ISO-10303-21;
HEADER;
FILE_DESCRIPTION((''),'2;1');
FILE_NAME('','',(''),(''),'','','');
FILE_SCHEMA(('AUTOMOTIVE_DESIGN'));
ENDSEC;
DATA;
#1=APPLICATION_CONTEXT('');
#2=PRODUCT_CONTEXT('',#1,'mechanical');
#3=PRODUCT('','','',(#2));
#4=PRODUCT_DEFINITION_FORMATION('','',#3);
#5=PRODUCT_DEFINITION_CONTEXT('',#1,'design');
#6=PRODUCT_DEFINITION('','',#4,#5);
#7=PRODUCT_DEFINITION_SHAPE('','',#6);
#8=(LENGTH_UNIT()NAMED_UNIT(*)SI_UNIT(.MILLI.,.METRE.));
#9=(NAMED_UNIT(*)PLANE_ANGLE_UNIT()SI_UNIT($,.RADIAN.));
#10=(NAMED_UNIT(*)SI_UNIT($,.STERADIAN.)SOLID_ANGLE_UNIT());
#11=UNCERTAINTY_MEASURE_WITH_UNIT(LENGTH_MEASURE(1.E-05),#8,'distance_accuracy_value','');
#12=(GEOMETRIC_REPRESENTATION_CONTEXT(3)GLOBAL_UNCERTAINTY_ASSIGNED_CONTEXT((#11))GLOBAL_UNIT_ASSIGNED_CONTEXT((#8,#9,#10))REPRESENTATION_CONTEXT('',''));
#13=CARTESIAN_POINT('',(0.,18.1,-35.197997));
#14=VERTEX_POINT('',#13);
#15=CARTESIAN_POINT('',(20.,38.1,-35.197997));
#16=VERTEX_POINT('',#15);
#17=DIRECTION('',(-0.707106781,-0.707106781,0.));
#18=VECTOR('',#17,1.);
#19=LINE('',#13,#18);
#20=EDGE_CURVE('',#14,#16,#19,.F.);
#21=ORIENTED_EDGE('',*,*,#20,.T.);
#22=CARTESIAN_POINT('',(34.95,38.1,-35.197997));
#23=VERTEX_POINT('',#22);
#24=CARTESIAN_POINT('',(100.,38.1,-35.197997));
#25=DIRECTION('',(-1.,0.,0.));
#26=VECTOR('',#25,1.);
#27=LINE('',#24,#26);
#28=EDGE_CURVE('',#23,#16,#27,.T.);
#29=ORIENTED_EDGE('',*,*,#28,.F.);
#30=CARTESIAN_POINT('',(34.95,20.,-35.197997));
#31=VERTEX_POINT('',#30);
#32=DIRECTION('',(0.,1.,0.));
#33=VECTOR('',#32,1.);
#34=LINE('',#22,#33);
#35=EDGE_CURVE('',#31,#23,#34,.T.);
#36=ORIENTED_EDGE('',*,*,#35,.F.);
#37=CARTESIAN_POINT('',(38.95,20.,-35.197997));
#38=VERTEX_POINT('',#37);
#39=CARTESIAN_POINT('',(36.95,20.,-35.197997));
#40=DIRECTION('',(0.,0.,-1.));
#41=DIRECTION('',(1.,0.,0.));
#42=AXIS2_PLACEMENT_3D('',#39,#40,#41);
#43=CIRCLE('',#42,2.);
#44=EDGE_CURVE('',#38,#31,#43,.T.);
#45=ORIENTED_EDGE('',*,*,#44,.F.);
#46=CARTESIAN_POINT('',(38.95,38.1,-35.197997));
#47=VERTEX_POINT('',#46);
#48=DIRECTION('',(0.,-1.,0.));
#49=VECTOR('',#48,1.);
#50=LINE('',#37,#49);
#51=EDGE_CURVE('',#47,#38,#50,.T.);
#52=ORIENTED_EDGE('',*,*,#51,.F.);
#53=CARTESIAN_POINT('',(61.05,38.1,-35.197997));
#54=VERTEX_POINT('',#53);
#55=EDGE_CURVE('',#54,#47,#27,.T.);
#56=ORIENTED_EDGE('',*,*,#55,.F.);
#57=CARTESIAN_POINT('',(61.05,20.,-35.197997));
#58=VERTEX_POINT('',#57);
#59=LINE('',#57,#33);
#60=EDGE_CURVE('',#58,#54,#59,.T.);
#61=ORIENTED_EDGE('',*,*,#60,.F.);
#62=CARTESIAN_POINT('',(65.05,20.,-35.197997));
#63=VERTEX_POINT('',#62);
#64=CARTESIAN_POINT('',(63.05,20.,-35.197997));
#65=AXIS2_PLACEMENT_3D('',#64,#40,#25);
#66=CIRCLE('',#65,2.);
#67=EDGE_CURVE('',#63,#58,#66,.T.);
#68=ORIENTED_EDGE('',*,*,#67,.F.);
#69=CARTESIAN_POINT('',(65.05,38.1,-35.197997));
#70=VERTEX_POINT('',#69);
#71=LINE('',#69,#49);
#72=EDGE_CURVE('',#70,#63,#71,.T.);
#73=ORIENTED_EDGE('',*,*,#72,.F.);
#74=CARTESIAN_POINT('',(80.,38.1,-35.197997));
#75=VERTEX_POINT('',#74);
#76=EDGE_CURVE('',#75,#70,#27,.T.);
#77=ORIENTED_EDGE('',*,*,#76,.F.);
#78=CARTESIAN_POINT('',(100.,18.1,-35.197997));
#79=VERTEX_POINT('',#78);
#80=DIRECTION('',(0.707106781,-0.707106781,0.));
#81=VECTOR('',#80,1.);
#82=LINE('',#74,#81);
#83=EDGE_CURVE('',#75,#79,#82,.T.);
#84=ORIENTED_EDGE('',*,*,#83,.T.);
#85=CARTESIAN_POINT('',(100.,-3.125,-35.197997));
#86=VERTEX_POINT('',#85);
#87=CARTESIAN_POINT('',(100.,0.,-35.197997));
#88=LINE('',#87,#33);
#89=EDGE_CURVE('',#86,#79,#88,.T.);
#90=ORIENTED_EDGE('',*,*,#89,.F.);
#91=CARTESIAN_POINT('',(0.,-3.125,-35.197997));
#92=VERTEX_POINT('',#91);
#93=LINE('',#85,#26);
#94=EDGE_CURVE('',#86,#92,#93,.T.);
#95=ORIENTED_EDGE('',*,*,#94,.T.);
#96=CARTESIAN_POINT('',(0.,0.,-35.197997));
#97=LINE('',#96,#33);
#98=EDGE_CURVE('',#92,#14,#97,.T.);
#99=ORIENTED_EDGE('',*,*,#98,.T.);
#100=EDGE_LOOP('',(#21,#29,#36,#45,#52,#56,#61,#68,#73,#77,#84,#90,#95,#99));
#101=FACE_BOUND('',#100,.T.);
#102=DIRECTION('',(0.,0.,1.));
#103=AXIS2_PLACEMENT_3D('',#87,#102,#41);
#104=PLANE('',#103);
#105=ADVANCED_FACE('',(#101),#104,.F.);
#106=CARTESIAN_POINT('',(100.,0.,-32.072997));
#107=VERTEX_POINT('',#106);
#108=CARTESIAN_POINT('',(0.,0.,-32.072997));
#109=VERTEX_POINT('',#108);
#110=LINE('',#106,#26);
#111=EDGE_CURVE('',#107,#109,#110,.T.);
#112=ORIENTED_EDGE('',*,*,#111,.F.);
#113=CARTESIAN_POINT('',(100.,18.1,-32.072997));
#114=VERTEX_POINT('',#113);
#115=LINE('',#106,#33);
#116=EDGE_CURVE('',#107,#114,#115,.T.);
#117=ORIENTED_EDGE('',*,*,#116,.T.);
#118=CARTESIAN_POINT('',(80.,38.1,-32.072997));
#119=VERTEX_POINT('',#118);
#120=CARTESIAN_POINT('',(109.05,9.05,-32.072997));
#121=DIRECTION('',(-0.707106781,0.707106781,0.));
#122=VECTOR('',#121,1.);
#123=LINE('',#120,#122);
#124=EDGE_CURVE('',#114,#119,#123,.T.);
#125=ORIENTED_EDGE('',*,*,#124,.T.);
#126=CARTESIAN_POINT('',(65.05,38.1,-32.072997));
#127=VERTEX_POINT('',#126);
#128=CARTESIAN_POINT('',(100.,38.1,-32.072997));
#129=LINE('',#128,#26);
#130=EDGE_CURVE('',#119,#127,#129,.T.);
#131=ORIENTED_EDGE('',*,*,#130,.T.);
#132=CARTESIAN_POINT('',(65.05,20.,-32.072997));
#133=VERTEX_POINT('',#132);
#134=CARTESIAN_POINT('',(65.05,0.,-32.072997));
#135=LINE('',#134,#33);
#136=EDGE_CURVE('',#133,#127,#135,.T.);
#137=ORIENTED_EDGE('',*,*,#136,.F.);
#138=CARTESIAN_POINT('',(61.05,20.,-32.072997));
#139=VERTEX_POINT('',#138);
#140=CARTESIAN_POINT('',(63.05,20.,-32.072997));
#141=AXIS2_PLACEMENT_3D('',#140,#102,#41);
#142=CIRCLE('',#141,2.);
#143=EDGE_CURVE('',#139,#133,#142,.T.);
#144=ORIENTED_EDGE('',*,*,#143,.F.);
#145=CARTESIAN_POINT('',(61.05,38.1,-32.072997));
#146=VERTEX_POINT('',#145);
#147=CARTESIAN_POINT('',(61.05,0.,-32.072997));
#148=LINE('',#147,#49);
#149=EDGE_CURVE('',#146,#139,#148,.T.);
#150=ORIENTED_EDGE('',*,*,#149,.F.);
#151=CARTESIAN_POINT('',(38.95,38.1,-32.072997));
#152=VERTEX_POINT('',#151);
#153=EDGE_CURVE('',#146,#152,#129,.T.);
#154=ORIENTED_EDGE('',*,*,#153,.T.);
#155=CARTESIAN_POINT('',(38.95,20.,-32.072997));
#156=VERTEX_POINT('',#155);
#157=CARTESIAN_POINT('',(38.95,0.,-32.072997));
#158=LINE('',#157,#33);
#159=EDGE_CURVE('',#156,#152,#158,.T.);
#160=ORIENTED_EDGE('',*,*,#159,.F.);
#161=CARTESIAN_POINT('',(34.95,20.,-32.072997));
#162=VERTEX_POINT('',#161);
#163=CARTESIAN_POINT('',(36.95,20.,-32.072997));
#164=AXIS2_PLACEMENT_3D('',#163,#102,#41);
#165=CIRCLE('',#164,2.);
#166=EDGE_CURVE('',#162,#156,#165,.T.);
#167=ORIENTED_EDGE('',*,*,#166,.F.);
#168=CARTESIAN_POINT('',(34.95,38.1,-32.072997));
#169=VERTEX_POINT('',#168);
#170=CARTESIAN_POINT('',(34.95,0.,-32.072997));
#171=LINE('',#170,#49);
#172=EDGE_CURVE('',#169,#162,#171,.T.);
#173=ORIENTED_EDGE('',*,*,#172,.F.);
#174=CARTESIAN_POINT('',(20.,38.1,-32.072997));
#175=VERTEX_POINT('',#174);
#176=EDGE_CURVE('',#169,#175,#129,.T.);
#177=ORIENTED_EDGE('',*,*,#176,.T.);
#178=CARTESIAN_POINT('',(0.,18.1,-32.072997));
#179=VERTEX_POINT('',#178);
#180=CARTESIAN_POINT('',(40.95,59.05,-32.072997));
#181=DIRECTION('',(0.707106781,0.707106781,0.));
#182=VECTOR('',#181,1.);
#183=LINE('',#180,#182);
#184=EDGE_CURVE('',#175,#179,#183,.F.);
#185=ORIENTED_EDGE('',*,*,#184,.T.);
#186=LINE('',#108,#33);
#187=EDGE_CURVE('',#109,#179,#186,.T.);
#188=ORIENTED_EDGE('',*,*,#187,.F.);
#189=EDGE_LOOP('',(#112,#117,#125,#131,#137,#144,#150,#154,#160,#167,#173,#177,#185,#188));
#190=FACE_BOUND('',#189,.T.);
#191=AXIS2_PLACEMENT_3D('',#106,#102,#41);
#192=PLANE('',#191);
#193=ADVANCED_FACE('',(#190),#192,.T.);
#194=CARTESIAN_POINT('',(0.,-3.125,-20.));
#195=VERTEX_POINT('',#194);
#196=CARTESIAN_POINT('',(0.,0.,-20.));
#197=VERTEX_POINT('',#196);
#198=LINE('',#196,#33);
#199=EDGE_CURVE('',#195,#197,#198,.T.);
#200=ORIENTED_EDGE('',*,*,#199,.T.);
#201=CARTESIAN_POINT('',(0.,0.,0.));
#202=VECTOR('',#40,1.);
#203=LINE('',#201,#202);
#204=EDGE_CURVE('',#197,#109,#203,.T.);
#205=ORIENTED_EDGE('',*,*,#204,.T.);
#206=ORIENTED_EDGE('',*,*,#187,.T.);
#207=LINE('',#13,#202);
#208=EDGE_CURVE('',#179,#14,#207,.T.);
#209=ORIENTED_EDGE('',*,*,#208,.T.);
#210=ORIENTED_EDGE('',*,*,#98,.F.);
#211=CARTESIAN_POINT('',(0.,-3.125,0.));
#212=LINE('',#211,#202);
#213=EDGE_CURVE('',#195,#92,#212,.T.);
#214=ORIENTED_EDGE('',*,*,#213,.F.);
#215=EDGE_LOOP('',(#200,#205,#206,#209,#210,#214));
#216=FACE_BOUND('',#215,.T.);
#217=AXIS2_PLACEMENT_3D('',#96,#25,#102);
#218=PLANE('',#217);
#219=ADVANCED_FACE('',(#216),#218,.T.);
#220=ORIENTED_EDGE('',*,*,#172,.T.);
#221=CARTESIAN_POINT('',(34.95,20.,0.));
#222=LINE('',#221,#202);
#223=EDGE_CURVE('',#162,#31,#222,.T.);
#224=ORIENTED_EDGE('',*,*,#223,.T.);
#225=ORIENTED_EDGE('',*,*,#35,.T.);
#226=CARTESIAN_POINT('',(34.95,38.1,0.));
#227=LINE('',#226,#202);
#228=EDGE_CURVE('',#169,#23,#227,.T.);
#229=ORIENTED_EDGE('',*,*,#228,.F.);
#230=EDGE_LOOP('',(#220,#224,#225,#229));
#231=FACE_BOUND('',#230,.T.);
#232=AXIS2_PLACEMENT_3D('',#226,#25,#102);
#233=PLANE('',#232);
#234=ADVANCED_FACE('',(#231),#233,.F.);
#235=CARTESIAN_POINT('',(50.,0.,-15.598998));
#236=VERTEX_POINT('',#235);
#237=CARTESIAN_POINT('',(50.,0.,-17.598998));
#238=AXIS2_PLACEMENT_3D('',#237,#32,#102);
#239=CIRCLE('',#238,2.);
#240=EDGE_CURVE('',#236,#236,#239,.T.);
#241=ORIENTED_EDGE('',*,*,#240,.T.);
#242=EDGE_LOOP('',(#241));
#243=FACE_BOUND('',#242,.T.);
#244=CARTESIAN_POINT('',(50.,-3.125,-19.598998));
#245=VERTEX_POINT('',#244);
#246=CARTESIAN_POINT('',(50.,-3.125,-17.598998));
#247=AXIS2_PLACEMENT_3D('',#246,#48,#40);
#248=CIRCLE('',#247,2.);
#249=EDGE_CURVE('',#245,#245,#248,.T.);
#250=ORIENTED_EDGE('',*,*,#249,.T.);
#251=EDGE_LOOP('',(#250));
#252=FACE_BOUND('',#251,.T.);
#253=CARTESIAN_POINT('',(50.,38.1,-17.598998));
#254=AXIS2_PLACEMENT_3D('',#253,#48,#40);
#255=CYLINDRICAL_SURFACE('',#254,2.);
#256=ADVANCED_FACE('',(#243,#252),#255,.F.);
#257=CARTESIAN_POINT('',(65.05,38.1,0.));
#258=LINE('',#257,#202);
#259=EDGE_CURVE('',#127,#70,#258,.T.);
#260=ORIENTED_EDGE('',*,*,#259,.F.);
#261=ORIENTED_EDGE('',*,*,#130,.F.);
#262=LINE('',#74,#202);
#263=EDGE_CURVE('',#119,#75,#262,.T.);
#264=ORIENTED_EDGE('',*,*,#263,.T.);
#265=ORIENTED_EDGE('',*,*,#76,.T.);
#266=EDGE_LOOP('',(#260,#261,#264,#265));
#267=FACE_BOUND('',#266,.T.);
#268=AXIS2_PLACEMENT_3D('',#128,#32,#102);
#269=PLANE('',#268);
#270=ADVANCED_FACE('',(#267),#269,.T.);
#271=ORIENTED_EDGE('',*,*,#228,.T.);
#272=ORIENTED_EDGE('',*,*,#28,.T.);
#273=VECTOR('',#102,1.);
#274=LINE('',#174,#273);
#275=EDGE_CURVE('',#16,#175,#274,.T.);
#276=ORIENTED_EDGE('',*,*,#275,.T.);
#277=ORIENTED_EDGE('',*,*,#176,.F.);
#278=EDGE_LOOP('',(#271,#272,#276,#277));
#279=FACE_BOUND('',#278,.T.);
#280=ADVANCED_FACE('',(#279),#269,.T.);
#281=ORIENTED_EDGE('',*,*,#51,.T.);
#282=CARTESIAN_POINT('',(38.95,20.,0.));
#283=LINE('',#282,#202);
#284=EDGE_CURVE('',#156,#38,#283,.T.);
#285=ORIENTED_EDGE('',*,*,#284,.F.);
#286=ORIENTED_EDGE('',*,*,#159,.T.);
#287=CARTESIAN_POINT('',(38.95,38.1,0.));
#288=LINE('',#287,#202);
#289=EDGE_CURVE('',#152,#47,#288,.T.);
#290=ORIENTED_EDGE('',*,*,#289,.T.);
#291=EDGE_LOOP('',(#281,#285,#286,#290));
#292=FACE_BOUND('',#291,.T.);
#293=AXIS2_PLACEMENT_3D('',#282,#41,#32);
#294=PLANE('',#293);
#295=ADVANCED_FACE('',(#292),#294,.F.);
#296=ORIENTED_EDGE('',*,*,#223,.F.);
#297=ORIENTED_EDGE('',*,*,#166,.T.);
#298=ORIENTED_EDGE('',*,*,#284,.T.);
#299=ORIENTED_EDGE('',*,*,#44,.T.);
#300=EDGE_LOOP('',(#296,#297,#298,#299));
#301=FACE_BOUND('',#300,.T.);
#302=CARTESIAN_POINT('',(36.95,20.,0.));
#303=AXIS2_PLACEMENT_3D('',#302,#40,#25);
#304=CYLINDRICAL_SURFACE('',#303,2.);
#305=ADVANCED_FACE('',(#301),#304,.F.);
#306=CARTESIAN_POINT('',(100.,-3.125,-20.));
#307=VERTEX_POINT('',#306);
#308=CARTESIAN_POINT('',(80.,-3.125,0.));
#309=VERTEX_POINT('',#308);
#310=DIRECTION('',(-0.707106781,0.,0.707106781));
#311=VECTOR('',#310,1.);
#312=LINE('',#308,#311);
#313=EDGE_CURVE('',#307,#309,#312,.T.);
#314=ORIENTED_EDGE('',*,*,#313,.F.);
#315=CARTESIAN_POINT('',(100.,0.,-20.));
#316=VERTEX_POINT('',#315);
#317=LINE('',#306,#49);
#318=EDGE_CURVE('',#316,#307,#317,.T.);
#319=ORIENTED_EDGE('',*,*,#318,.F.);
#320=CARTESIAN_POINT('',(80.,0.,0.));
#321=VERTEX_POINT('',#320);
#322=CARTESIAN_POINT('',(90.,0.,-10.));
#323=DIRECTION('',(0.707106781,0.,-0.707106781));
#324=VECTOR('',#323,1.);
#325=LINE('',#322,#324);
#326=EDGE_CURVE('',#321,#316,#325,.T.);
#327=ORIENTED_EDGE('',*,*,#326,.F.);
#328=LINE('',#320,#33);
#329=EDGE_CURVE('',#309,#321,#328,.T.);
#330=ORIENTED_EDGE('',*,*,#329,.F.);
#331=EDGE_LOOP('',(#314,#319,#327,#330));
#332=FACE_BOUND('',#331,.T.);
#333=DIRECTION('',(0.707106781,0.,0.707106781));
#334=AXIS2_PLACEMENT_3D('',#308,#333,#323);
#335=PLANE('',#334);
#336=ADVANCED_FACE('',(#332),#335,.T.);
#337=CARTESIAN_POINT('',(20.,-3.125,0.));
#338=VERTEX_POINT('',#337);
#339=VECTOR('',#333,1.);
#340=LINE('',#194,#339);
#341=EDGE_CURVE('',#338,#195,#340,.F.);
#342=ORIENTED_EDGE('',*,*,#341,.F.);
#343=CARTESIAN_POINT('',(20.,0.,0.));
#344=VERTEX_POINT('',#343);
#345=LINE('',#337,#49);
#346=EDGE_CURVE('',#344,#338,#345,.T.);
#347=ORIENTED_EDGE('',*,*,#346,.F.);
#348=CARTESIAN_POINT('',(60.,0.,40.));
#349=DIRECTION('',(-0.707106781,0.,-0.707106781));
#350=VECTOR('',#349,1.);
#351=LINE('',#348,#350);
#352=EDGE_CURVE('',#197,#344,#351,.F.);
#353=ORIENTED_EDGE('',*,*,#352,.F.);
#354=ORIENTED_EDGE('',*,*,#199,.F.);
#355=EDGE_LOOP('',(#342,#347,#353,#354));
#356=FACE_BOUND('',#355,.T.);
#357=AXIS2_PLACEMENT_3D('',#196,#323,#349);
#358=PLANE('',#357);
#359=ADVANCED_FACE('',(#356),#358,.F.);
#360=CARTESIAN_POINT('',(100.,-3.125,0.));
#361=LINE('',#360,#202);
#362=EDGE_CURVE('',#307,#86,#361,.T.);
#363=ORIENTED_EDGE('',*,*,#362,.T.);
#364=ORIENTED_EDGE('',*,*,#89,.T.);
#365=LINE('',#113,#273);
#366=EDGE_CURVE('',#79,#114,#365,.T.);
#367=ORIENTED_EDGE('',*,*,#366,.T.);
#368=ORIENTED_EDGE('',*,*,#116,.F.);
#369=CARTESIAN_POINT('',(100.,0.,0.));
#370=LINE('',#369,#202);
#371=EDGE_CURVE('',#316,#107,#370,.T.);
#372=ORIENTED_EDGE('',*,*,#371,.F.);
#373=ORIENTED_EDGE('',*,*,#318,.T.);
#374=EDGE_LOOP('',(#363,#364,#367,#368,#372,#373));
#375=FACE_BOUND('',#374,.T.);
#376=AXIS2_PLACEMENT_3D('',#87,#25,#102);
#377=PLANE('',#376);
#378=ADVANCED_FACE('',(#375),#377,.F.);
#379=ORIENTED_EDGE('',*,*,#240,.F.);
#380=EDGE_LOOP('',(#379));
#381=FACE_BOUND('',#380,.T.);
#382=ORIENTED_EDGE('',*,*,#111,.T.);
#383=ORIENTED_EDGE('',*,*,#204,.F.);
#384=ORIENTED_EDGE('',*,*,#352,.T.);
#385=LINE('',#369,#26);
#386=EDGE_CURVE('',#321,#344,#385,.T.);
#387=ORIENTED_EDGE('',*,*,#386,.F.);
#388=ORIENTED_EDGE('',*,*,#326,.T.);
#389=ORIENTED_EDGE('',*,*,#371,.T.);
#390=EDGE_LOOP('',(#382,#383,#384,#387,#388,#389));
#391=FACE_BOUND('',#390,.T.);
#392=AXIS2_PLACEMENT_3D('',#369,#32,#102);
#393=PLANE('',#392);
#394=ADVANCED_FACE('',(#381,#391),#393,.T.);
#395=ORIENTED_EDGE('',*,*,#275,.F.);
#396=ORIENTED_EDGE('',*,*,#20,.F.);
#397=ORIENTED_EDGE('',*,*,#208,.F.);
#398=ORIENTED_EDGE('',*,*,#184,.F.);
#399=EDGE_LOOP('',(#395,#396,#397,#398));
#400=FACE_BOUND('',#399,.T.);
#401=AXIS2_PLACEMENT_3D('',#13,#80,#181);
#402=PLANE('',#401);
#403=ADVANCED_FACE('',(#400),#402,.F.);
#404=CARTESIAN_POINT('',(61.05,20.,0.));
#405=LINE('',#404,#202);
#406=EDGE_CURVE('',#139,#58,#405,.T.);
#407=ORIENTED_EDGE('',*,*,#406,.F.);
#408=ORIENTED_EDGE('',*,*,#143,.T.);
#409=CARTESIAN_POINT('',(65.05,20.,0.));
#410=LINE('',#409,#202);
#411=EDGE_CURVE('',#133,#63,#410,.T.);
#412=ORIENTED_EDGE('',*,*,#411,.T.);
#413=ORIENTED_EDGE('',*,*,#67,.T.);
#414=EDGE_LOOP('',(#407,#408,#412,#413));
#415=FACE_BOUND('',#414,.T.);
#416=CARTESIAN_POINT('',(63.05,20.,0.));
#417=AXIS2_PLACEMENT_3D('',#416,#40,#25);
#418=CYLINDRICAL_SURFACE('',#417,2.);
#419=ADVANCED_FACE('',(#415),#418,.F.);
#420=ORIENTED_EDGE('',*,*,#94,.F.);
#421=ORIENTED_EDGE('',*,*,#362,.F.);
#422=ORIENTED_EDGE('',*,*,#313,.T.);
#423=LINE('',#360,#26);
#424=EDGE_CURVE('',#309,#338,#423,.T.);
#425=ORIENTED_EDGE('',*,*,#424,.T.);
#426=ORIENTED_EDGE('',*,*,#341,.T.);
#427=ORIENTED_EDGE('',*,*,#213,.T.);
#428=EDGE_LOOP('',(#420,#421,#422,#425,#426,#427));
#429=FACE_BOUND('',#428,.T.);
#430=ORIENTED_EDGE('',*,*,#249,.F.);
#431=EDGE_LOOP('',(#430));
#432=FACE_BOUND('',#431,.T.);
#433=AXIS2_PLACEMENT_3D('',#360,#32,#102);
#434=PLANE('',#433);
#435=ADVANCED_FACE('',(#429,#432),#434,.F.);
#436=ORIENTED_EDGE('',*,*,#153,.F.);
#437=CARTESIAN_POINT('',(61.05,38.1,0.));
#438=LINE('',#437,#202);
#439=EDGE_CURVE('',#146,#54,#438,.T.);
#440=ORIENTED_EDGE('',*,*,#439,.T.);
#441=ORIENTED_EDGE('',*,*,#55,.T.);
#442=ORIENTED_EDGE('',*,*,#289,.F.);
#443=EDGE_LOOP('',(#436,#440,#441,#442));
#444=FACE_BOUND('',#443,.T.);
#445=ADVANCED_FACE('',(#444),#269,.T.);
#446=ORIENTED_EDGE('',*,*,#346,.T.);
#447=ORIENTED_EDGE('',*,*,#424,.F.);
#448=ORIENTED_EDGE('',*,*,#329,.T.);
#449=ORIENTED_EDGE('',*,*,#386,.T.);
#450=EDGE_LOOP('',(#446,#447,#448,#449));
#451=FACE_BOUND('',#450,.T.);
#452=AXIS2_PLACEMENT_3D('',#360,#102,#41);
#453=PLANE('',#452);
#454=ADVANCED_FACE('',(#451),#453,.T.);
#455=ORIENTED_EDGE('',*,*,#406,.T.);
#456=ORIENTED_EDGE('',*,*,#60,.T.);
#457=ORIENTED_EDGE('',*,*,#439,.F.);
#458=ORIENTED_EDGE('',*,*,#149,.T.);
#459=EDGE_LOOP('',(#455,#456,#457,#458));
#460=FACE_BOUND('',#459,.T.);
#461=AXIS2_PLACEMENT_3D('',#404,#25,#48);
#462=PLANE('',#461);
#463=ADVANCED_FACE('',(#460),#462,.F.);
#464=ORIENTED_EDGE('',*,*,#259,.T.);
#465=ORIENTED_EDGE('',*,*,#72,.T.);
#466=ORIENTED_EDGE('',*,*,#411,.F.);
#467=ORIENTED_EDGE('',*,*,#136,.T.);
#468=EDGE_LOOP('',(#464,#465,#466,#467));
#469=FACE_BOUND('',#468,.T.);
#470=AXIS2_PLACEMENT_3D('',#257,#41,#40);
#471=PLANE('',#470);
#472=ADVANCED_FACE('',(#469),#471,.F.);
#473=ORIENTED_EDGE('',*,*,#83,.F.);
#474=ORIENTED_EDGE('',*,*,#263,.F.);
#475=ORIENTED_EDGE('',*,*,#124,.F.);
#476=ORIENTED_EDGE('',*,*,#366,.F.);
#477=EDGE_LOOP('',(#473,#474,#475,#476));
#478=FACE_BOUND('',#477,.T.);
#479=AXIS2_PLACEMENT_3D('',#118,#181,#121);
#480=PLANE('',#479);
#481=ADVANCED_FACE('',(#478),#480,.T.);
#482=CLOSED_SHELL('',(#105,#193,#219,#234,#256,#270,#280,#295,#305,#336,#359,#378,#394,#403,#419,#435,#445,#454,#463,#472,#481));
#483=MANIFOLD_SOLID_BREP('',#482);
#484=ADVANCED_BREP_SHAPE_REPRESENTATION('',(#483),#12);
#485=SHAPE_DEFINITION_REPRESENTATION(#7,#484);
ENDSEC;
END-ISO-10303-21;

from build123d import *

# Parameters (mm, degrees)
EXTRUDE_THIN1_DEPTH = 100
CUT_EXTRUDE1_DEPTH  = 36.197996578
CHAMFER1_SIZE       = 20
CHAMFER2_SIZE       = 20
SKETCH3_R           = 2
CUT_EXTRUDE2_DEPTH  = 42.225


with BuildPart() as part:
    # Sketch1 → Extrude-Thin1 (new body)
    with BuildSketch(Plane(origin=(0, 0, 0), x_dir=(0, 0, -1), z_dir=(1, 0, 0))):
        Polygon((0, 0), (32.072996578, 0), (32.072996578, 38.1), (35.197996578, 38.1), (35.197996578, -3.125), (0, -3.125), align=None)
    extrude(amount=EXTRUDE_THIN1_DEPTH)

    # Sketch2 → Cut-Extrude1 (cut, through all)
    with BuildSketch(Plane(origin=(0, 0, -35.197996578), x_dir=(-1, 0, 0), z_dir=(0, 0, -1))):
        with BuildLine():
            Line((-61.05, 20), (-61.05, 38.1))
            Line((-61.05, 38.1), (-65.05, 38.1))
            Line((-65.05, 38.1), (-65.05, 20))
            ThreePointArc((-65.05, 20), (-63.05, 18), (-61.05, 20))
        make_face()
        with BuildLine():
            Line((-38.95, 20), (-38.95, 38.1))
            Line((-38.95, 38.1), (-34.95, 38.1))
            Line((-34.95, 38.1), (-34.95, 20))
            ThreePointArc((-34.95, 20), (-36.95, 18), (-38.95, 20))
        make_face()
    extrude(amount=-CUT_EXTRUDE1_DEPTH, mode=Mode.SUBTRACT)

    # Chamfer1
    chamfer1_edges = [part.edges().sort_by_distance(p)[0] for p in [
        (0, 38.1, -33.635496578),
        (100, 38.1, -33.635496578),
    ]]
    chamfer(chamfer1_edges, length=CHAMFER1_SIZE)

    # Chamfer2
    chamfer2_edges = [part.edges().sort_by_distance(p)[0] for p in [
        (100, -1.5625, 0),
        (0, -1.5625, 0),
    ]]
    chamfer(chamfer2_edges, length=CHAMFER2_SIZE)

    # Sketch3 → Cut-Extrude2 (cut, through all)
    with BuildSketch(Plane.XZ.offset(3.125)):
        with Locations(Location((50, -17.598998289, 0), (0, 0, 270))):  # turned: the seam where the file's is
            Circle(SKETCH3_R)
    extrude(amount=-CUT_EXTRUDE2_DEPTH, mode=Mode.SUBTRACT)


solid = part.part
